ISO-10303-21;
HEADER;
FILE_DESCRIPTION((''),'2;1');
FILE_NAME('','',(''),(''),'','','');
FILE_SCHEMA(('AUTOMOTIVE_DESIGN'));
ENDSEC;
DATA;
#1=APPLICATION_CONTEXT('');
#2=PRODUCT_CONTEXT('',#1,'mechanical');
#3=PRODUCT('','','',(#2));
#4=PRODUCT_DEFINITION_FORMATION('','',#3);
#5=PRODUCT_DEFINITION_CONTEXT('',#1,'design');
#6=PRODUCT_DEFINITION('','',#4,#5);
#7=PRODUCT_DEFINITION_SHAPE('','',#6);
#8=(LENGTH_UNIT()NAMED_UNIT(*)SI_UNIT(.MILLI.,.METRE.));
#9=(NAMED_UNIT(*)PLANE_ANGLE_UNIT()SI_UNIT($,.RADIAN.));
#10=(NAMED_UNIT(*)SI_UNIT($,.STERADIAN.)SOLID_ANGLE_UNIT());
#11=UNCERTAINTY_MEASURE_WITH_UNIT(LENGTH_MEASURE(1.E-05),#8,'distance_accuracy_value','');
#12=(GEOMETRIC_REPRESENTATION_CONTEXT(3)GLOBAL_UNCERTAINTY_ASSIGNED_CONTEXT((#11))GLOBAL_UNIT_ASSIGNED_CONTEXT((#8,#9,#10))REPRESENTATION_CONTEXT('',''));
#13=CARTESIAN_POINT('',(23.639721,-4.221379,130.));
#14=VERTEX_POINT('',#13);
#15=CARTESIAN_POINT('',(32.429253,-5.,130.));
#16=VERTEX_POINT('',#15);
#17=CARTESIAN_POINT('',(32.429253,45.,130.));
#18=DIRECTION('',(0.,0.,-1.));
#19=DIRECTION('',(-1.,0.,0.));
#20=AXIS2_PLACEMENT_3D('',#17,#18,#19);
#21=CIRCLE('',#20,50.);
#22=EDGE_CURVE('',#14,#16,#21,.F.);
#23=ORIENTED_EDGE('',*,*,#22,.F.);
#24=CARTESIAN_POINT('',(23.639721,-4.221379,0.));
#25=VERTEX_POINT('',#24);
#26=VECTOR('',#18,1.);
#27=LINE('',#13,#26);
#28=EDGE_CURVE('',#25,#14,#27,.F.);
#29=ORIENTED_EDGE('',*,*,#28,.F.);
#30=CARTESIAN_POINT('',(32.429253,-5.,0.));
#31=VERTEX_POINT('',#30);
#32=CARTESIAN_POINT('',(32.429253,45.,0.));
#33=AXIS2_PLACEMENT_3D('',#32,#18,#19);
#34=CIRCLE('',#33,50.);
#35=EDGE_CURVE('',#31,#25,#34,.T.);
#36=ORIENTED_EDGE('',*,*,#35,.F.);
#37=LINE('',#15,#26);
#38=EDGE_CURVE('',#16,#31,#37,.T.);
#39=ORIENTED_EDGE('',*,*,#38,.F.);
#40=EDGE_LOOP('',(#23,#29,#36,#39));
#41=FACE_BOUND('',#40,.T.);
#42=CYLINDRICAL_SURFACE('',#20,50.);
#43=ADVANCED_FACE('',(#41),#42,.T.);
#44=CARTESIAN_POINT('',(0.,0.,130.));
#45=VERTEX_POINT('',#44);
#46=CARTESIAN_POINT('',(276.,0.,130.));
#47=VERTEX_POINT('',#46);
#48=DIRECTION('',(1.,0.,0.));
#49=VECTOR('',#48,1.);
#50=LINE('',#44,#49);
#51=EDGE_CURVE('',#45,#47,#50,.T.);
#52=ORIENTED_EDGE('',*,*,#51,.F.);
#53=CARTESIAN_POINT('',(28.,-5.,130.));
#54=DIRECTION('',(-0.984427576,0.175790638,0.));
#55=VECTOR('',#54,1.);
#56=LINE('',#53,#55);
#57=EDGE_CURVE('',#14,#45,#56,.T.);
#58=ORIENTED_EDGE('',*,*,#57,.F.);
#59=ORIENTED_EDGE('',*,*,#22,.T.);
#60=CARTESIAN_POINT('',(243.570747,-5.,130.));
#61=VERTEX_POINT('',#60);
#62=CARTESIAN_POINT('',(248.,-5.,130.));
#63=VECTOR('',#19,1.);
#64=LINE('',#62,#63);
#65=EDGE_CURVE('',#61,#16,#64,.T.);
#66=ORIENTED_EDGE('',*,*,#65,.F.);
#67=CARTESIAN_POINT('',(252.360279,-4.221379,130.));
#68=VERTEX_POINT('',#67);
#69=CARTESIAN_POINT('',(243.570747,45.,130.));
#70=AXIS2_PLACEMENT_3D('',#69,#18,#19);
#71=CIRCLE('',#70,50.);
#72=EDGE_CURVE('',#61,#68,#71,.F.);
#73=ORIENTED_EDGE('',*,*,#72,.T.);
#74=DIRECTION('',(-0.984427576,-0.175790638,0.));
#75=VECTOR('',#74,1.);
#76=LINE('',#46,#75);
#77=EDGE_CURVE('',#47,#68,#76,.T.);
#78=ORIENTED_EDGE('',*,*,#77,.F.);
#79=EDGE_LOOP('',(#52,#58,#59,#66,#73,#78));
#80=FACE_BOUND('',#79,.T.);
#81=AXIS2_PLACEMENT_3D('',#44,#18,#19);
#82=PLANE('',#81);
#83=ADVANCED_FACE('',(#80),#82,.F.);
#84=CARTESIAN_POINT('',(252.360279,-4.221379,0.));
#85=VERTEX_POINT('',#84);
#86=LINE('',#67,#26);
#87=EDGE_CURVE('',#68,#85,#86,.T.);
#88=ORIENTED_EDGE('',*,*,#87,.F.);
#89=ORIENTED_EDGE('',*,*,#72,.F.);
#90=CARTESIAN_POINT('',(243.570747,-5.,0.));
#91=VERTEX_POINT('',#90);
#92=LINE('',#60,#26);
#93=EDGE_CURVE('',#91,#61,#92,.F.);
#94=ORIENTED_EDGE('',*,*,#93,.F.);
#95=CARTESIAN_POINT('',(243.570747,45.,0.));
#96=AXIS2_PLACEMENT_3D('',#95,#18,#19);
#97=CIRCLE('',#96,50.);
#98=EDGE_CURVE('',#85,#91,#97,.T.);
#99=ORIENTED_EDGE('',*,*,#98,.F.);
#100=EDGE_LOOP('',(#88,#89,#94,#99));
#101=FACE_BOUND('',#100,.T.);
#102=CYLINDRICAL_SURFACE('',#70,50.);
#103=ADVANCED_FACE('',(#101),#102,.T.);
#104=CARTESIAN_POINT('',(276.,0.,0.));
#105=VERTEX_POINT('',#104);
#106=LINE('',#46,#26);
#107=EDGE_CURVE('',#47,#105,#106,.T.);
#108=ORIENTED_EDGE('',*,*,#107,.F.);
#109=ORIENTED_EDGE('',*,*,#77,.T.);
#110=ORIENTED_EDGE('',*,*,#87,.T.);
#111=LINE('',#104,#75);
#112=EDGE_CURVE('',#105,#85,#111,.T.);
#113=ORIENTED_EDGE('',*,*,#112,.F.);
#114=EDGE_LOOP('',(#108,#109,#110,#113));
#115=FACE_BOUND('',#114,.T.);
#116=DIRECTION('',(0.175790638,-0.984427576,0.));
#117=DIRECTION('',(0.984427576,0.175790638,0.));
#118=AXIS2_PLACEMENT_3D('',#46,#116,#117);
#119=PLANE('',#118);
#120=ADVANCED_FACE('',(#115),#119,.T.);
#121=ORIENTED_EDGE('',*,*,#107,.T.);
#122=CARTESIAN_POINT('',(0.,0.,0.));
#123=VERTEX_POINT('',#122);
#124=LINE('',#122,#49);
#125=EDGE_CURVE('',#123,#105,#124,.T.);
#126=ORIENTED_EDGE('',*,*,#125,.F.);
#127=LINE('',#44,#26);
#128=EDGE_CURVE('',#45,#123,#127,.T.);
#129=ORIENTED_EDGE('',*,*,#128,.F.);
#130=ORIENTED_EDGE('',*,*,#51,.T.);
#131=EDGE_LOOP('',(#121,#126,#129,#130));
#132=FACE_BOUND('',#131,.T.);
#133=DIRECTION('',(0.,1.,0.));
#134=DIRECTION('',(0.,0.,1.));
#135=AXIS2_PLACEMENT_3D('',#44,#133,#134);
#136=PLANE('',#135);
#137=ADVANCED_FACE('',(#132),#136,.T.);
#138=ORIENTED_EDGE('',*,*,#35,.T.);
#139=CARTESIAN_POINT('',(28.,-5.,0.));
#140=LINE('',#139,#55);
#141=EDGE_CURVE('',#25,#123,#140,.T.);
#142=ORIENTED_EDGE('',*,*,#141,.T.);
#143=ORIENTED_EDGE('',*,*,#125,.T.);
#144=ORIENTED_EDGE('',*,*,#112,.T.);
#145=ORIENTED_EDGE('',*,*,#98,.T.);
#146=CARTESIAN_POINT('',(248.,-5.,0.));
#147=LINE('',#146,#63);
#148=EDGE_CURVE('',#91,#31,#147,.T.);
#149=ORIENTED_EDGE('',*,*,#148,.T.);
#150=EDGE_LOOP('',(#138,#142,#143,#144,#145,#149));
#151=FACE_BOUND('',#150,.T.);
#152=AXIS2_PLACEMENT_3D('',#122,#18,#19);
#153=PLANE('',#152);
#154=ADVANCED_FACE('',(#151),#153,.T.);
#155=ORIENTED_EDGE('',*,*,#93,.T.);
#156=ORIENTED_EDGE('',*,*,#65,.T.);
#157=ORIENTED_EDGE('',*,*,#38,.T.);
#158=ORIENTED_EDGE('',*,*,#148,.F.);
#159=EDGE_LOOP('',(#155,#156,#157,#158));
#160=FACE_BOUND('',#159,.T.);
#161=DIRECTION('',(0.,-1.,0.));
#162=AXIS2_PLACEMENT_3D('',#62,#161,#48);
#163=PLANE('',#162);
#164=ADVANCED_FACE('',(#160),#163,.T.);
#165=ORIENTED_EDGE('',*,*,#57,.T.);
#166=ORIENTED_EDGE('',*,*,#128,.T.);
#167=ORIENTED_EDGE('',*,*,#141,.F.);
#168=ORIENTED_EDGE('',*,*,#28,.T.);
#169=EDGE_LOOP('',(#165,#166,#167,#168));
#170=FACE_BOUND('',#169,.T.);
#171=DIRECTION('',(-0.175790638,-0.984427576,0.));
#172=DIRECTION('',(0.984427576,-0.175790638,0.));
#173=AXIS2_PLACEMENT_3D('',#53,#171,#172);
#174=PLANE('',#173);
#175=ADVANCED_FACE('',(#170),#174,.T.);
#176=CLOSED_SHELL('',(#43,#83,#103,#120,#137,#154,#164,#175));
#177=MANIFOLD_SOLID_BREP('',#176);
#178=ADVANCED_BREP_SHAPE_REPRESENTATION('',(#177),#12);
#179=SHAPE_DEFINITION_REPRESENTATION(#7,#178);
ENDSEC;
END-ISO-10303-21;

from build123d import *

# Parameters (mm, degrees)
BOSS_EXTRUDE1_DEPTH = 130
FILLET1_R           = 50


with BuildPart() as part:
    # Sketch1 → Boss-Extrude1 (new body)
    with BuildSketch(Plane.XY):
        Polygon((0, 0), (276, 0), (248, -5), (28, -5), align=None)
    extrude(amount=BOSS_EXTRUDE1_DEPTH)

    # Fillet1
    fillet1_edges = [part.edges().sort_by_distance(p)[0] for p in [
        (248, -5, 65),
        (28, -5, 65),
    ]]
    fillet(fillet1_edges, radius=FILLET1_R)


solid = part.part
